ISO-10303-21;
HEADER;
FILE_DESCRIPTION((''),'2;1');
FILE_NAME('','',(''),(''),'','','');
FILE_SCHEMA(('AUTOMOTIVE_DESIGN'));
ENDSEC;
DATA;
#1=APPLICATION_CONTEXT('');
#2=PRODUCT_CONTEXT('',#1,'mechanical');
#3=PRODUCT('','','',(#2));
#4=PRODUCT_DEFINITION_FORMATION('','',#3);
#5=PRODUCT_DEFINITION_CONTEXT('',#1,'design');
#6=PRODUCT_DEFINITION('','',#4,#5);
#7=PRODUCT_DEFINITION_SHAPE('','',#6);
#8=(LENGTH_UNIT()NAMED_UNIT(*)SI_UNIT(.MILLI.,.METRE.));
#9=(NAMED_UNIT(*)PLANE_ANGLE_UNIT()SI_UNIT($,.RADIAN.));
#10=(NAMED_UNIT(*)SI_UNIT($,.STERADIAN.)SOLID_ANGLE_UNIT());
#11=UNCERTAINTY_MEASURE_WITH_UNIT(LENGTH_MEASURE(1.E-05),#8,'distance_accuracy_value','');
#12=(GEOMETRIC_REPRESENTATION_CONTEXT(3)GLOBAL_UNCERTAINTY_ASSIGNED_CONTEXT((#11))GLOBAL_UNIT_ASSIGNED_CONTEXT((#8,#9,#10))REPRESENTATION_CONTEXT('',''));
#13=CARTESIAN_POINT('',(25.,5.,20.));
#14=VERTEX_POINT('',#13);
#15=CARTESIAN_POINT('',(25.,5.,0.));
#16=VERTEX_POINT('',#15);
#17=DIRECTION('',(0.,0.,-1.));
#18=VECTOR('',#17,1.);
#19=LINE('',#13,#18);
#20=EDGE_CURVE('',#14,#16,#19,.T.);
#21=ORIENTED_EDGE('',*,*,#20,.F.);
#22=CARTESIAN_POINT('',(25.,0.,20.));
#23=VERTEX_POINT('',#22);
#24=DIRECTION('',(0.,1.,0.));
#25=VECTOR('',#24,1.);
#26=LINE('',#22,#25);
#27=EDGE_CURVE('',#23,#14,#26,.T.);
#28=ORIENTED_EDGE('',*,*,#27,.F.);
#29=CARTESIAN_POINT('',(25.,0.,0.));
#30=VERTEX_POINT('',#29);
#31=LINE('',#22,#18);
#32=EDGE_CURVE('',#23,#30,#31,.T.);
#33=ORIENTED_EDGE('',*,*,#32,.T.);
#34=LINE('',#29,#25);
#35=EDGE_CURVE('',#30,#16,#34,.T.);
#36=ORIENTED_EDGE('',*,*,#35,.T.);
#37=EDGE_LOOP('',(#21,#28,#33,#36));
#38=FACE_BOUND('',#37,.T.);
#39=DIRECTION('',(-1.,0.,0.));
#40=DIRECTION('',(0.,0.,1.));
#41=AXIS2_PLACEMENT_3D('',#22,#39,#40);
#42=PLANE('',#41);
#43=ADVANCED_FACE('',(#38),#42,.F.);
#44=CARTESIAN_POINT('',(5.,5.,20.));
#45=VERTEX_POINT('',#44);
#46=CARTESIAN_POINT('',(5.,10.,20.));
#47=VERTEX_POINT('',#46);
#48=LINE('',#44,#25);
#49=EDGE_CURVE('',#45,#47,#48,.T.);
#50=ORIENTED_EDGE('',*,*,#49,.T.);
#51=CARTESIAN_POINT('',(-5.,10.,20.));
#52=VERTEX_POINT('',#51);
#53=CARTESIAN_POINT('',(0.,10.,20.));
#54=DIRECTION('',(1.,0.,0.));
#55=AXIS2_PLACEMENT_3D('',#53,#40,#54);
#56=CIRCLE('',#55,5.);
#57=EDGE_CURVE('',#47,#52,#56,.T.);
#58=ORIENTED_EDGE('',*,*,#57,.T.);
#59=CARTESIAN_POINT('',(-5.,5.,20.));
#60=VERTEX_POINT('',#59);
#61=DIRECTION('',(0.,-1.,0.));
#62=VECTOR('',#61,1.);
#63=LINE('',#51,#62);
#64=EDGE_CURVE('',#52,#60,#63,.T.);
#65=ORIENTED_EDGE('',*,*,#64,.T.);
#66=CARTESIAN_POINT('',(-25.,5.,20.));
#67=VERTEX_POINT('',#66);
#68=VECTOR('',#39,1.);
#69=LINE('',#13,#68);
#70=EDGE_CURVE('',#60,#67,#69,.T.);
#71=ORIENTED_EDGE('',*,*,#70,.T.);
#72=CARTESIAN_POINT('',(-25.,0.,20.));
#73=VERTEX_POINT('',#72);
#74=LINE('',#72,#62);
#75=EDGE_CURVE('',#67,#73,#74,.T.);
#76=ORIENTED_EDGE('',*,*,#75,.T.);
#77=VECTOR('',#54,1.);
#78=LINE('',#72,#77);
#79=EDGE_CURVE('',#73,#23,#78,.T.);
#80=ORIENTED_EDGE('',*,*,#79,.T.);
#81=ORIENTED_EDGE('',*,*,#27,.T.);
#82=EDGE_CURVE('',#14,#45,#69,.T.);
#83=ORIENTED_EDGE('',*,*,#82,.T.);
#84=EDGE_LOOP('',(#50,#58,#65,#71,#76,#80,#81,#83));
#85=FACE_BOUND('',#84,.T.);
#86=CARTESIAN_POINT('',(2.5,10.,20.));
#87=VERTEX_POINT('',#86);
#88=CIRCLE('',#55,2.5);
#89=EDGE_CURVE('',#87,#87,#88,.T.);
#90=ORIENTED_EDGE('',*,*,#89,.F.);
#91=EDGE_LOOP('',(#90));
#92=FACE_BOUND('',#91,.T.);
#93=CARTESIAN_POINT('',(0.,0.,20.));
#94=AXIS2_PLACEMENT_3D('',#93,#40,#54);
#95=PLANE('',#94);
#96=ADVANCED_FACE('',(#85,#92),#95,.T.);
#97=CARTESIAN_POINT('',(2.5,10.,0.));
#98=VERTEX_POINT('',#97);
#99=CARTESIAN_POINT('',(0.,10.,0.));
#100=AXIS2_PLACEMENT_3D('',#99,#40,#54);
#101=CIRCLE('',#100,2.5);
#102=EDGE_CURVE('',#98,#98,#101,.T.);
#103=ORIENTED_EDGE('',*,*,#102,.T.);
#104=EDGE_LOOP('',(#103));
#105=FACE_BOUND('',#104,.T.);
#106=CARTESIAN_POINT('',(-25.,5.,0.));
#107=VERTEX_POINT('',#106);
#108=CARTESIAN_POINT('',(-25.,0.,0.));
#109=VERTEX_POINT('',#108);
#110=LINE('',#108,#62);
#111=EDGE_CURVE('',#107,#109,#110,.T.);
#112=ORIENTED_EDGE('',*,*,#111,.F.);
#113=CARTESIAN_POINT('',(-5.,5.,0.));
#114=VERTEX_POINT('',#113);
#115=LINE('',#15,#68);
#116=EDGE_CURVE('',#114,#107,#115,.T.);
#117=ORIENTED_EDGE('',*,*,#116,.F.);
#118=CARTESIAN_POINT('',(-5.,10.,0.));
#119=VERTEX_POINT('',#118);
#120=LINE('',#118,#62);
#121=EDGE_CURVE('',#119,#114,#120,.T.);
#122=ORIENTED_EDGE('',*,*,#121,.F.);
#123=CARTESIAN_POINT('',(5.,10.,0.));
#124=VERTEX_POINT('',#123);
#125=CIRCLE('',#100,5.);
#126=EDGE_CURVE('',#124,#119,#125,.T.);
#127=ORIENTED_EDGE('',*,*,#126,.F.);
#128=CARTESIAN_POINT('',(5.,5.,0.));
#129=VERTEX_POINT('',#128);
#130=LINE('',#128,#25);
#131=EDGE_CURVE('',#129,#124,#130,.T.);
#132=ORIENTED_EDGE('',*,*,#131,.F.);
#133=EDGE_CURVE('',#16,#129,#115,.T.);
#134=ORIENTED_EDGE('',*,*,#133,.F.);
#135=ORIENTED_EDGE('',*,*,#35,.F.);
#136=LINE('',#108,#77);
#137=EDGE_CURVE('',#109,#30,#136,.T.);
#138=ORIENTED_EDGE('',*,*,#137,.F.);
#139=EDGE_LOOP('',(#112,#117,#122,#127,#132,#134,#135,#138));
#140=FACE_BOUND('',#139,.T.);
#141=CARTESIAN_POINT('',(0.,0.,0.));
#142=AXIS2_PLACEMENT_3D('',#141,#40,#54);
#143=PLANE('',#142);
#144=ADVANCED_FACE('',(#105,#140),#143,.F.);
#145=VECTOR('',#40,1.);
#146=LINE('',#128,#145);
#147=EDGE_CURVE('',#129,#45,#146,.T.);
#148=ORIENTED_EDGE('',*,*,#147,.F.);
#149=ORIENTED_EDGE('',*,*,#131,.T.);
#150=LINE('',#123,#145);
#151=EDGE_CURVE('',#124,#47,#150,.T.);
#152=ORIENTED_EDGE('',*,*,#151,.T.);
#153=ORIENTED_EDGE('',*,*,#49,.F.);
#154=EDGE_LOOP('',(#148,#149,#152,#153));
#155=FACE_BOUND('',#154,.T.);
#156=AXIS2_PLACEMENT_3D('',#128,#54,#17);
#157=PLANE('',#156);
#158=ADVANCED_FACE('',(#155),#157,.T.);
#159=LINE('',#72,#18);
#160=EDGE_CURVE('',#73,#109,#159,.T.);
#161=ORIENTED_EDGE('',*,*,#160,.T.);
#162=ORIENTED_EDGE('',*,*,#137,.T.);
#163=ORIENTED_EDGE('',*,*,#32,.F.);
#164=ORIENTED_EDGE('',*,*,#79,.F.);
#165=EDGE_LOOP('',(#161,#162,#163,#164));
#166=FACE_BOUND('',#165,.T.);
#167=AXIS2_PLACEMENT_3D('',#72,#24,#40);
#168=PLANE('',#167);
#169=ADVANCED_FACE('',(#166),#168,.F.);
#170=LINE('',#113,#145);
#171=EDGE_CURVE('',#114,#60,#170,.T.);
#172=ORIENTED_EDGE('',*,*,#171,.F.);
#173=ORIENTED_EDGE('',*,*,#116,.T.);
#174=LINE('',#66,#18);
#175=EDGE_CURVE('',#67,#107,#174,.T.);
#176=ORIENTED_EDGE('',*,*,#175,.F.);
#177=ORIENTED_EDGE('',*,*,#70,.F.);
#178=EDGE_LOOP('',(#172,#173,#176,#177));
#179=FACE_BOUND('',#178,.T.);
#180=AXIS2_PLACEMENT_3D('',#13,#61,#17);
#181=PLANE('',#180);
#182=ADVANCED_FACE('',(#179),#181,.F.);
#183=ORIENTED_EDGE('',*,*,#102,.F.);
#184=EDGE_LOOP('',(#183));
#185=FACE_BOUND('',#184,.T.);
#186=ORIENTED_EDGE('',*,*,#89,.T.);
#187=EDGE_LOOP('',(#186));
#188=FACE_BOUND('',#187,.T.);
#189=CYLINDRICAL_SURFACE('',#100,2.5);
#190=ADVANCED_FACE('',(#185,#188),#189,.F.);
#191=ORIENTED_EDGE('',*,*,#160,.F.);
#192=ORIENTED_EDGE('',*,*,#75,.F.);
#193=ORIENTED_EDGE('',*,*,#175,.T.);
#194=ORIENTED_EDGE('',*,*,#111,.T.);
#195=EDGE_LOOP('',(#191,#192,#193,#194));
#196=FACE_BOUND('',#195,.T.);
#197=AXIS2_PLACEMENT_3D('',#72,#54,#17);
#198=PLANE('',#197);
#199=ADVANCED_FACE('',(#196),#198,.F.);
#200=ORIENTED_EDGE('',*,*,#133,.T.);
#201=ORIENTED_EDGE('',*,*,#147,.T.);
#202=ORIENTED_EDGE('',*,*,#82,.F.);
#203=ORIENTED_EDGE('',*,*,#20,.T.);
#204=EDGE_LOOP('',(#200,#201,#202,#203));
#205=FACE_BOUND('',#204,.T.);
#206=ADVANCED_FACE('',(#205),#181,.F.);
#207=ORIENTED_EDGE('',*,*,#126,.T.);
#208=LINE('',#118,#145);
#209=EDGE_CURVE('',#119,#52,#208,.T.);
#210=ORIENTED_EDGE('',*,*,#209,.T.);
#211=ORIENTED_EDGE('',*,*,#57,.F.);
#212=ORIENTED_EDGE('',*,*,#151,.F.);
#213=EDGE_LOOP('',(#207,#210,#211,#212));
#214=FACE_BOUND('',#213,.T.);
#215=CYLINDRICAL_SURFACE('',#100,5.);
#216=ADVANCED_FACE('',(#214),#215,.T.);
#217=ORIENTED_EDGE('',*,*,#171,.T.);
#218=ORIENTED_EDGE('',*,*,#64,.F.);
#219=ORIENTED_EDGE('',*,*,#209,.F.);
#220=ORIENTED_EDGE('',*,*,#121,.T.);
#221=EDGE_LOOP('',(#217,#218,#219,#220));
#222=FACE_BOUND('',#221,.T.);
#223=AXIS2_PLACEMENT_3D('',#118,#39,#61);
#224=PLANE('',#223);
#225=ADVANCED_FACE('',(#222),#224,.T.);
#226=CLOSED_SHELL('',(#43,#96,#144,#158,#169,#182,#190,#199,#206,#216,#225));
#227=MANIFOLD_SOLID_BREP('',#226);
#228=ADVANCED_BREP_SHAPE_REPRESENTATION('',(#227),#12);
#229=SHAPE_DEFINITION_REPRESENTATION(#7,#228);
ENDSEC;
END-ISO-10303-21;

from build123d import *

# Parameters (mm, degrees)
SKETCH_1_W          = 50
SKETCH_1_H          = 5
EXTRUDE_1_DEPTH     = 20
EXTRUDE_2_DEPTH     = 20
SKETCH_3_R          = 2.5
CUT_EXTRUDE_1_DEPTH = 20


with BuildPart() as part:
    # 草图1 → 凸台-拉伸1 (new body)
    with BuildSketch(Plane.XY):
        with Locations((0, 2.5)):
            Rectangle(SKETCH_1_W, SKETCH_1_H)
    extrude(amount=EXTRUDE_1_DEPTH)

    # 草图2 → 凸台-拉伸2 (add)
    with BuildSketch(Plane.XY.offset(20)):
        with BuildLine():
            Line((-5, 10), (-5, 5))
            Line((-5, 5), (5, 5))
            Line((5, 5), (5, 10))
            ThreePointArc((5, 10), (0, 15), (-5, 10))
        make_face()
    extrude(amount=-EXTRUDE_2_DEPTH)

    # 草图3 → 切除-拉伸1 (cut)
    with BuildSketch(Plane.XY.offset(20)):
        with Locations((0, 10)):
            Circle(SKETCH_3_R)
    extrude(amount=-CUT_EXTRUDE_1_DEPTH, mode=Mode.SUBTRACT)


solid = part.part
